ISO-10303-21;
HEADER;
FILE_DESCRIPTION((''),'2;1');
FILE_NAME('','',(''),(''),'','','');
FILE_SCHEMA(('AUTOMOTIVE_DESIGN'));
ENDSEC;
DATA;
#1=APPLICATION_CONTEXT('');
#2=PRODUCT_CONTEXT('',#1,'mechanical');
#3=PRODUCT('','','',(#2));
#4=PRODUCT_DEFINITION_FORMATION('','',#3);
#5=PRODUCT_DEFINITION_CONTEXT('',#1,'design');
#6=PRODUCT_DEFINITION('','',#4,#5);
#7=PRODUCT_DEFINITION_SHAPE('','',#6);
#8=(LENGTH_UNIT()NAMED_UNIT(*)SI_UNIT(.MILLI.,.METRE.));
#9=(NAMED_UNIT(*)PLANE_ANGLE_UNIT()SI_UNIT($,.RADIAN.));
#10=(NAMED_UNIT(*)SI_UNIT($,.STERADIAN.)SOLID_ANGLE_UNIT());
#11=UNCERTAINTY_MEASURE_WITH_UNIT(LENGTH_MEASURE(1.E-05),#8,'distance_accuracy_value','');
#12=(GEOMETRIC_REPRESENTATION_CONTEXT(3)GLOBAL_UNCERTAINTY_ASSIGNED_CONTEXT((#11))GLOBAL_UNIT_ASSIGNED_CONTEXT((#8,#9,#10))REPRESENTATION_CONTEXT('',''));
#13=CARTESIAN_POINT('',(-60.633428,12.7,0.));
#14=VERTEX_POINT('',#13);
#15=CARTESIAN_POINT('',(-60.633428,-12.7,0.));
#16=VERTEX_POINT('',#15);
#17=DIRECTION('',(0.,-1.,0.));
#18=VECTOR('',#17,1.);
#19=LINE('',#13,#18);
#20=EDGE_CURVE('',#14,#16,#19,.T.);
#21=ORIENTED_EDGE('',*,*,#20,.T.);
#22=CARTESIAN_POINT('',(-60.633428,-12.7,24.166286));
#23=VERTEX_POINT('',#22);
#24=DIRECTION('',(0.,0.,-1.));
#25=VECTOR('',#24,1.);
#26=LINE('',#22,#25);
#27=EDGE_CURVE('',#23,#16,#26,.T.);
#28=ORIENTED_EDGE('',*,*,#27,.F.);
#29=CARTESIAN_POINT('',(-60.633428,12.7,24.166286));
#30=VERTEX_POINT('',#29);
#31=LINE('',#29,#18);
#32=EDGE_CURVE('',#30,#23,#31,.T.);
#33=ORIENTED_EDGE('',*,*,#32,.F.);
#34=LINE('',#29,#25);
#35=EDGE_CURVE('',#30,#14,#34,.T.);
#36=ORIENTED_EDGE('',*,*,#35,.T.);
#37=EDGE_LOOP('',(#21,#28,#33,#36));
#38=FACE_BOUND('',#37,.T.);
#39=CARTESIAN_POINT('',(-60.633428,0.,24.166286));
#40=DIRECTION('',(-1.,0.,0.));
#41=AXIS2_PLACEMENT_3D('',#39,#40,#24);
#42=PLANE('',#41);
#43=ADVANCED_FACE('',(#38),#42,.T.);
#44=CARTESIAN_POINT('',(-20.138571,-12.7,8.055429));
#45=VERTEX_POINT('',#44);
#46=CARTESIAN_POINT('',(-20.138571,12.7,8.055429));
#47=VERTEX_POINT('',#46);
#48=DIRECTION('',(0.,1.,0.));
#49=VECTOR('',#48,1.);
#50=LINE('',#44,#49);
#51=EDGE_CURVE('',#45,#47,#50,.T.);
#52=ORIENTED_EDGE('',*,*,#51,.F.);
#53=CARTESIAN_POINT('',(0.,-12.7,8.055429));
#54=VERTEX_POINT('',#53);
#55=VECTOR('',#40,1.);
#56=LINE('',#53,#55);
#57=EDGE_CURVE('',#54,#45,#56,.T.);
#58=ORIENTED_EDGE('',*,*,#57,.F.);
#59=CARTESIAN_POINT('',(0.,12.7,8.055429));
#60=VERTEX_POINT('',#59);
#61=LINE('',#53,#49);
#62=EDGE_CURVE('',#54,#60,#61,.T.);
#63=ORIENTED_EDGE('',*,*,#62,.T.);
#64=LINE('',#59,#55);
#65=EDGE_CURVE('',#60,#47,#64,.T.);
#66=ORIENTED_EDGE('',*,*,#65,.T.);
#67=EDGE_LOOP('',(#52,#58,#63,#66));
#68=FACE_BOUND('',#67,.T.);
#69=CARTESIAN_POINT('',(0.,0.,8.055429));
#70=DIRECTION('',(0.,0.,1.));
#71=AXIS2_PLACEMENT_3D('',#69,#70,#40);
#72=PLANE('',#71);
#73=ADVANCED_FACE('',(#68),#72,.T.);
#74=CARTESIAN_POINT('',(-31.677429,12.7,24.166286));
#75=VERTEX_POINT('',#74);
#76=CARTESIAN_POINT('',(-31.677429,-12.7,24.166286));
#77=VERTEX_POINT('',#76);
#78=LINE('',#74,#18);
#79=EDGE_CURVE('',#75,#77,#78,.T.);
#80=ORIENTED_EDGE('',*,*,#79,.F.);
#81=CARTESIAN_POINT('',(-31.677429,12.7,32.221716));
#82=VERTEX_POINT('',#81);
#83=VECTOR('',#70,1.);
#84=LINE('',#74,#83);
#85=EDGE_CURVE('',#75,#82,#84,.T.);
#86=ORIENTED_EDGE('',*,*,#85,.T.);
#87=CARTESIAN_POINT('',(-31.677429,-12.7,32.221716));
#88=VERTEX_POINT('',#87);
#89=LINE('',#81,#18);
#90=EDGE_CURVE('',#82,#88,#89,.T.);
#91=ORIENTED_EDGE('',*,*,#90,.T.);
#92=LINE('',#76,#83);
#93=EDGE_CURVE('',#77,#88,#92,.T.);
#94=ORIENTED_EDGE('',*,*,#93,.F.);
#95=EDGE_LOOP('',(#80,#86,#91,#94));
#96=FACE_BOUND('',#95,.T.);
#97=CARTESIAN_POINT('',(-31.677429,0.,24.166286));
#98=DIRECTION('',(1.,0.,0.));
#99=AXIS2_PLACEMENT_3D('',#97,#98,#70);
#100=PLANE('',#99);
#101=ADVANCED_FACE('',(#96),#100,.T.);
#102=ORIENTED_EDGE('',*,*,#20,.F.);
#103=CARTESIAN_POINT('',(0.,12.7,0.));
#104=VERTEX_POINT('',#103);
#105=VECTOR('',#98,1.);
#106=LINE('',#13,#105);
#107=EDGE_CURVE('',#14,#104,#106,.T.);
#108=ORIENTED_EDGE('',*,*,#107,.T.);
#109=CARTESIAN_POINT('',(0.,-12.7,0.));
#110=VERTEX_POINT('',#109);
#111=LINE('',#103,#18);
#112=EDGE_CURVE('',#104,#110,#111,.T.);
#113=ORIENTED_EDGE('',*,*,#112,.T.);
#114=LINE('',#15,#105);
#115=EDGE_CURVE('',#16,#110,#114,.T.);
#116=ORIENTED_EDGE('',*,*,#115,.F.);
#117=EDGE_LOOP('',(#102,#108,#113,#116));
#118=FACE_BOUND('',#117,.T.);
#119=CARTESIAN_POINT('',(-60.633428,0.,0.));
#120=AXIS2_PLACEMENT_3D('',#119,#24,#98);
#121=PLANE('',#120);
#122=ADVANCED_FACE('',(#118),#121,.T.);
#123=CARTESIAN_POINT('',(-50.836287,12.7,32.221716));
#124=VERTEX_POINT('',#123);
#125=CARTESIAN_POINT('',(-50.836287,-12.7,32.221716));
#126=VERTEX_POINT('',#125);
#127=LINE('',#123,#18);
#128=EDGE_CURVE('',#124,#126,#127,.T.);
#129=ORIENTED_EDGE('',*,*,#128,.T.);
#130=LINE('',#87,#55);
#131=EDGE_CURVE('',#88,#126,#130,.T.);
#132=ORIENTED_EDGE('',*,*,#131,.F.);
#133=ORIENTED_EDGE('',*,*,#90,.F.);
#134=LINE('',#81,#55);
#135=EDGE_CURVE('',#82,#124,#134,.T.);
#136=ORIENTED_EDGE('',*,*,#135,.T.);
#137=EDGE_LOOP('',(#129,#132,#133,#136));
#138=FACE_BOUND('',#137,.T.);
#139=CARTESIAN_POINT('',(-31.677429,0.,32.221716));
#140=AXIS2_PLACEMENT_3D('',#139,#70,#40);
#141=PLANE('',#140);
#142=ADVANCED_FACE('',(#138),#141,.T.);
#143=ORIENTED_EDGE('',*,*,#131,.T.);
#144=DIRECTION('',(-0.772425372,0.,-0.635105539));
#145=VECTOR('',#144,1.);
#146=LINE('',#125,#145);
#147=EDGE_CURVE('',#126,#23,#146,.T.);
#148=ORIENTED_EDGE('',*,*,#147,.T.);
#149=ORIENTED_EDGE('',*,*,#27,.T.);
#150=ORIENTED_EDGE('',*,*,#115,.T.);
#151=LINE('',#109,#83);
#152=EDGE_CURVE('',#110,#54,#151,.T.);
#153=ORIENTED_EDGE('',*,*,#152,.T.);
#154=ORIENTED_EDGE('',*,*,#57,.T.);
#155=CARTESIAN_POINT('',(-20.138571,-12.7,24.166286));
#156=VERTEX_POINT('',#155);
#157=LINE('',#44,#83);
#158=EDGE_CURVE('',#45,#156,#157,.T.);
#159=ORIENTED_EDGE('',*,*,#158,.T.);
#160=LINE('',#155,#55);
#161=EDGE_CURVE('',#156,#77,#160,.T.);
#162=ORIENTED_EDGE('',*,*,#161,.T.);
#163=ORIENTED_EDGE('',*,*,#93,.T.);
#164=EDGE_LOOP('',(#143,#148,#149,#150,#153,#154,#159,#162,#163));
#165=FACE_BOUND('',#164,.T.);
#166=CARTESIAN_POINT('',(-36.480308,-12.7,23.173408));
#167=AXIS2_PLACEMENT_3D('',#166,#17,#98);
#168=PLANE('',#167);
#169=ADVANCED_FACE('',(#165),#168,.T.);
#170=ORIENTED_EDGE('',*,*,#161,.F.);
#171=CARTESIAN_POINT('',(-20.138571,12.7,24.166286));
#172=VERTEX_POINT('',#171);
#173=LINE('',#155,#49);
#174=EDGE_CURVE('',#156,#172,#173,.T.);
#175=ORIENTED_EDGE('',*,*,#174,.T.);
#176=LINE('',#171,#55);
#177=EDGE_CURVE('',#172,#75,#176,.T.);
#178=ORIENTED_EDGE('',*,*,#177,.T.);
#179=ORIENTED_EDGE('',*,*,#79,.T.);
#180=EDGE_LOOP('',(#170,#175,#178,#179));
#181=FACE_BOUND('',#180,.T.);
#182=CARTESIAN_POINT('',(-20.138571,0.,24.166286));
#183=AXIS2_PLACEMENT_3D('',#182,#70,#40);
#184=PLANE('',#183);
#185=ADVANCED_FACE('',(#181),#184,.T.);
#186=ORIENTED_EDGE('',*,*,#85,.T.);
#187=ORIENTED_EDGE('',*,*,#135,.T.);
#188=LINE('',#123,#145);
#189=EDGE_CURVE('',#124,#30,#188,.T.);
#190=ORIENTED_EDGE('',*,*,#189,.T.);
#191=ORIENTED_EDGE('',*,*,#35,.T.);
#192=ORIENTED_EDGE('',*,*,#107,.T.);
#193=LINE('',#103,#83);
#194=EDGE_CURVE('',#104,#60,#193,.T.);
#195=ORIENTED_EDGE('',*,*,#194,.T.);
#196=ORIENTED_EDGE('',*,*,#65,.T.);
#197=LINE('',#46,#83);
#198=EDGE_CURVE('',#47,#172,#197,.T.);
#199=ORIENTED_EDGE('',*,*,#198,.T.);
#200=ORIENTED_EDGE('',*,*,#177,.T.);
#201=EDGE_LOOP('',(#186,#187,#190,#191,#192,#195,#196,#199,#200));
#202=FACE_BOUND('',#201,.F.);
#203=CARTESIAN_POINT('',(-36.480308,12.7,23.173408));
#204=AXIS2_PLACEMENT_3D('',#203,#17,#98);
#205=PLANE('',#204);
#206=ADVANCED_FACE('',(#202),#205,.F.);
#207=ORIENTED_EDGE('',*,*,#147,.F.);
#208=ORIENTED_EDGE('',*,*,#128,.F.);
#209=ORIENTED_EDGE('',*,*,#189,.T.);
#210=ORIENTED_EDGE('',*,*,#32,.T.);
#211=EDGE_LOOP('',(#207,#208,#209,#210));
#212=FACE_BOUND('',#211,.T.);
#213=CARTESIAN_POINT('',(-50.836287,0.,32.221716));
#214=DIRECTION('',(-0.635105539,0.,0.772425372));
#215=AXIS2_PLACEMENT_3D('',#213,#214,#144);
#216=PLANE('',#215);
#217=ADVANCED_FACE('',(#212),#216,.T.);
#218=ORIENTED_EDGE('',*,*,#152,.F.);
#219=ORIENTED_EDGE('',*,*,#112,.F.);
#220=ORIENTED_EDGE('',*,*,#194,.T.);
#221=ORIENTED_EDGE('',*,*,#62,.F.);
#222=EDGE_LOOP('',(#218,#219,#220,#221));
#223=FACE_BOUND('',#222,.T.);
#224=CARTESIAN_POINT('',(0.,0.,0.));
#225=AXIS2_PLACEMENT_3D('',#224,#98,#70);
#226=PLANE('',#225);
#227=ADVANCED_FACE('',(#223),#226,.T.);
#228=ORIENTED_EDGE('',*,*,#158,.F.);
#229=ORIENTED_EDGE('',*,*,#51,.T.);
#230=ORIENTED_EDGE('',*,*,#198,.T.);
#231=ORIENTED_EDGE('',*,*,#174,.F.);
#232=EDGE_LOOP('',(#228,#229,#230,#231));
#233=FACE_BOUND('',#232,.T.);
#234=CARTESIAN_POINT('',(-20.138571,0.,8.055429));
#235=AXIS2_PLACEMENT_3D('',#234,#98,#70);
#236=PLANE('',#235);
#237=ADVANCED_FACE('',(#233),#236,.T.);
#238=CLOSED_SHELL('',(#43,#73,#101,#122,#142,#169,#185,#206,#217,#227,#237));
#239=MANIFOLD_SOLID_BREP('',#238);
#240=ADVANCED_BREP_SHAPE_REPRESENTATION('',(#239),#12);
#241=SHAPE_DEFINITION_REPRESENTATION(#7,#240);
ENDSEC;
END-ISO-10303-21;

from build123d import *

# Parameters (mm, degrees)
F1_DEPTH = 12.7


with BuildPart() as f1:
    # F0 (on Front) → F1 (new body, symmetric)
    with BuildSketch(Plane.XZ):
        Polygon((-50.836287, 16.110857), (-20.138571, 16.110857), (-20.138571, 24.166286), (-31.677429, 24.166286), (-31.677429, 32.221716), (-50.836287, 32.221716), align=None)
        Polygon((-60.633428, 0), (0, 0), (0, 8.055429), (-20.138571, 8.055429), (-20.138571, 16.110857), (-50.836287, 16.110857), (-50.836287, 32.221716), (-60.633428, 24.166286), align=None)
    extrude(amount=F1_DEPTH, both=True)


solid = f1.part
